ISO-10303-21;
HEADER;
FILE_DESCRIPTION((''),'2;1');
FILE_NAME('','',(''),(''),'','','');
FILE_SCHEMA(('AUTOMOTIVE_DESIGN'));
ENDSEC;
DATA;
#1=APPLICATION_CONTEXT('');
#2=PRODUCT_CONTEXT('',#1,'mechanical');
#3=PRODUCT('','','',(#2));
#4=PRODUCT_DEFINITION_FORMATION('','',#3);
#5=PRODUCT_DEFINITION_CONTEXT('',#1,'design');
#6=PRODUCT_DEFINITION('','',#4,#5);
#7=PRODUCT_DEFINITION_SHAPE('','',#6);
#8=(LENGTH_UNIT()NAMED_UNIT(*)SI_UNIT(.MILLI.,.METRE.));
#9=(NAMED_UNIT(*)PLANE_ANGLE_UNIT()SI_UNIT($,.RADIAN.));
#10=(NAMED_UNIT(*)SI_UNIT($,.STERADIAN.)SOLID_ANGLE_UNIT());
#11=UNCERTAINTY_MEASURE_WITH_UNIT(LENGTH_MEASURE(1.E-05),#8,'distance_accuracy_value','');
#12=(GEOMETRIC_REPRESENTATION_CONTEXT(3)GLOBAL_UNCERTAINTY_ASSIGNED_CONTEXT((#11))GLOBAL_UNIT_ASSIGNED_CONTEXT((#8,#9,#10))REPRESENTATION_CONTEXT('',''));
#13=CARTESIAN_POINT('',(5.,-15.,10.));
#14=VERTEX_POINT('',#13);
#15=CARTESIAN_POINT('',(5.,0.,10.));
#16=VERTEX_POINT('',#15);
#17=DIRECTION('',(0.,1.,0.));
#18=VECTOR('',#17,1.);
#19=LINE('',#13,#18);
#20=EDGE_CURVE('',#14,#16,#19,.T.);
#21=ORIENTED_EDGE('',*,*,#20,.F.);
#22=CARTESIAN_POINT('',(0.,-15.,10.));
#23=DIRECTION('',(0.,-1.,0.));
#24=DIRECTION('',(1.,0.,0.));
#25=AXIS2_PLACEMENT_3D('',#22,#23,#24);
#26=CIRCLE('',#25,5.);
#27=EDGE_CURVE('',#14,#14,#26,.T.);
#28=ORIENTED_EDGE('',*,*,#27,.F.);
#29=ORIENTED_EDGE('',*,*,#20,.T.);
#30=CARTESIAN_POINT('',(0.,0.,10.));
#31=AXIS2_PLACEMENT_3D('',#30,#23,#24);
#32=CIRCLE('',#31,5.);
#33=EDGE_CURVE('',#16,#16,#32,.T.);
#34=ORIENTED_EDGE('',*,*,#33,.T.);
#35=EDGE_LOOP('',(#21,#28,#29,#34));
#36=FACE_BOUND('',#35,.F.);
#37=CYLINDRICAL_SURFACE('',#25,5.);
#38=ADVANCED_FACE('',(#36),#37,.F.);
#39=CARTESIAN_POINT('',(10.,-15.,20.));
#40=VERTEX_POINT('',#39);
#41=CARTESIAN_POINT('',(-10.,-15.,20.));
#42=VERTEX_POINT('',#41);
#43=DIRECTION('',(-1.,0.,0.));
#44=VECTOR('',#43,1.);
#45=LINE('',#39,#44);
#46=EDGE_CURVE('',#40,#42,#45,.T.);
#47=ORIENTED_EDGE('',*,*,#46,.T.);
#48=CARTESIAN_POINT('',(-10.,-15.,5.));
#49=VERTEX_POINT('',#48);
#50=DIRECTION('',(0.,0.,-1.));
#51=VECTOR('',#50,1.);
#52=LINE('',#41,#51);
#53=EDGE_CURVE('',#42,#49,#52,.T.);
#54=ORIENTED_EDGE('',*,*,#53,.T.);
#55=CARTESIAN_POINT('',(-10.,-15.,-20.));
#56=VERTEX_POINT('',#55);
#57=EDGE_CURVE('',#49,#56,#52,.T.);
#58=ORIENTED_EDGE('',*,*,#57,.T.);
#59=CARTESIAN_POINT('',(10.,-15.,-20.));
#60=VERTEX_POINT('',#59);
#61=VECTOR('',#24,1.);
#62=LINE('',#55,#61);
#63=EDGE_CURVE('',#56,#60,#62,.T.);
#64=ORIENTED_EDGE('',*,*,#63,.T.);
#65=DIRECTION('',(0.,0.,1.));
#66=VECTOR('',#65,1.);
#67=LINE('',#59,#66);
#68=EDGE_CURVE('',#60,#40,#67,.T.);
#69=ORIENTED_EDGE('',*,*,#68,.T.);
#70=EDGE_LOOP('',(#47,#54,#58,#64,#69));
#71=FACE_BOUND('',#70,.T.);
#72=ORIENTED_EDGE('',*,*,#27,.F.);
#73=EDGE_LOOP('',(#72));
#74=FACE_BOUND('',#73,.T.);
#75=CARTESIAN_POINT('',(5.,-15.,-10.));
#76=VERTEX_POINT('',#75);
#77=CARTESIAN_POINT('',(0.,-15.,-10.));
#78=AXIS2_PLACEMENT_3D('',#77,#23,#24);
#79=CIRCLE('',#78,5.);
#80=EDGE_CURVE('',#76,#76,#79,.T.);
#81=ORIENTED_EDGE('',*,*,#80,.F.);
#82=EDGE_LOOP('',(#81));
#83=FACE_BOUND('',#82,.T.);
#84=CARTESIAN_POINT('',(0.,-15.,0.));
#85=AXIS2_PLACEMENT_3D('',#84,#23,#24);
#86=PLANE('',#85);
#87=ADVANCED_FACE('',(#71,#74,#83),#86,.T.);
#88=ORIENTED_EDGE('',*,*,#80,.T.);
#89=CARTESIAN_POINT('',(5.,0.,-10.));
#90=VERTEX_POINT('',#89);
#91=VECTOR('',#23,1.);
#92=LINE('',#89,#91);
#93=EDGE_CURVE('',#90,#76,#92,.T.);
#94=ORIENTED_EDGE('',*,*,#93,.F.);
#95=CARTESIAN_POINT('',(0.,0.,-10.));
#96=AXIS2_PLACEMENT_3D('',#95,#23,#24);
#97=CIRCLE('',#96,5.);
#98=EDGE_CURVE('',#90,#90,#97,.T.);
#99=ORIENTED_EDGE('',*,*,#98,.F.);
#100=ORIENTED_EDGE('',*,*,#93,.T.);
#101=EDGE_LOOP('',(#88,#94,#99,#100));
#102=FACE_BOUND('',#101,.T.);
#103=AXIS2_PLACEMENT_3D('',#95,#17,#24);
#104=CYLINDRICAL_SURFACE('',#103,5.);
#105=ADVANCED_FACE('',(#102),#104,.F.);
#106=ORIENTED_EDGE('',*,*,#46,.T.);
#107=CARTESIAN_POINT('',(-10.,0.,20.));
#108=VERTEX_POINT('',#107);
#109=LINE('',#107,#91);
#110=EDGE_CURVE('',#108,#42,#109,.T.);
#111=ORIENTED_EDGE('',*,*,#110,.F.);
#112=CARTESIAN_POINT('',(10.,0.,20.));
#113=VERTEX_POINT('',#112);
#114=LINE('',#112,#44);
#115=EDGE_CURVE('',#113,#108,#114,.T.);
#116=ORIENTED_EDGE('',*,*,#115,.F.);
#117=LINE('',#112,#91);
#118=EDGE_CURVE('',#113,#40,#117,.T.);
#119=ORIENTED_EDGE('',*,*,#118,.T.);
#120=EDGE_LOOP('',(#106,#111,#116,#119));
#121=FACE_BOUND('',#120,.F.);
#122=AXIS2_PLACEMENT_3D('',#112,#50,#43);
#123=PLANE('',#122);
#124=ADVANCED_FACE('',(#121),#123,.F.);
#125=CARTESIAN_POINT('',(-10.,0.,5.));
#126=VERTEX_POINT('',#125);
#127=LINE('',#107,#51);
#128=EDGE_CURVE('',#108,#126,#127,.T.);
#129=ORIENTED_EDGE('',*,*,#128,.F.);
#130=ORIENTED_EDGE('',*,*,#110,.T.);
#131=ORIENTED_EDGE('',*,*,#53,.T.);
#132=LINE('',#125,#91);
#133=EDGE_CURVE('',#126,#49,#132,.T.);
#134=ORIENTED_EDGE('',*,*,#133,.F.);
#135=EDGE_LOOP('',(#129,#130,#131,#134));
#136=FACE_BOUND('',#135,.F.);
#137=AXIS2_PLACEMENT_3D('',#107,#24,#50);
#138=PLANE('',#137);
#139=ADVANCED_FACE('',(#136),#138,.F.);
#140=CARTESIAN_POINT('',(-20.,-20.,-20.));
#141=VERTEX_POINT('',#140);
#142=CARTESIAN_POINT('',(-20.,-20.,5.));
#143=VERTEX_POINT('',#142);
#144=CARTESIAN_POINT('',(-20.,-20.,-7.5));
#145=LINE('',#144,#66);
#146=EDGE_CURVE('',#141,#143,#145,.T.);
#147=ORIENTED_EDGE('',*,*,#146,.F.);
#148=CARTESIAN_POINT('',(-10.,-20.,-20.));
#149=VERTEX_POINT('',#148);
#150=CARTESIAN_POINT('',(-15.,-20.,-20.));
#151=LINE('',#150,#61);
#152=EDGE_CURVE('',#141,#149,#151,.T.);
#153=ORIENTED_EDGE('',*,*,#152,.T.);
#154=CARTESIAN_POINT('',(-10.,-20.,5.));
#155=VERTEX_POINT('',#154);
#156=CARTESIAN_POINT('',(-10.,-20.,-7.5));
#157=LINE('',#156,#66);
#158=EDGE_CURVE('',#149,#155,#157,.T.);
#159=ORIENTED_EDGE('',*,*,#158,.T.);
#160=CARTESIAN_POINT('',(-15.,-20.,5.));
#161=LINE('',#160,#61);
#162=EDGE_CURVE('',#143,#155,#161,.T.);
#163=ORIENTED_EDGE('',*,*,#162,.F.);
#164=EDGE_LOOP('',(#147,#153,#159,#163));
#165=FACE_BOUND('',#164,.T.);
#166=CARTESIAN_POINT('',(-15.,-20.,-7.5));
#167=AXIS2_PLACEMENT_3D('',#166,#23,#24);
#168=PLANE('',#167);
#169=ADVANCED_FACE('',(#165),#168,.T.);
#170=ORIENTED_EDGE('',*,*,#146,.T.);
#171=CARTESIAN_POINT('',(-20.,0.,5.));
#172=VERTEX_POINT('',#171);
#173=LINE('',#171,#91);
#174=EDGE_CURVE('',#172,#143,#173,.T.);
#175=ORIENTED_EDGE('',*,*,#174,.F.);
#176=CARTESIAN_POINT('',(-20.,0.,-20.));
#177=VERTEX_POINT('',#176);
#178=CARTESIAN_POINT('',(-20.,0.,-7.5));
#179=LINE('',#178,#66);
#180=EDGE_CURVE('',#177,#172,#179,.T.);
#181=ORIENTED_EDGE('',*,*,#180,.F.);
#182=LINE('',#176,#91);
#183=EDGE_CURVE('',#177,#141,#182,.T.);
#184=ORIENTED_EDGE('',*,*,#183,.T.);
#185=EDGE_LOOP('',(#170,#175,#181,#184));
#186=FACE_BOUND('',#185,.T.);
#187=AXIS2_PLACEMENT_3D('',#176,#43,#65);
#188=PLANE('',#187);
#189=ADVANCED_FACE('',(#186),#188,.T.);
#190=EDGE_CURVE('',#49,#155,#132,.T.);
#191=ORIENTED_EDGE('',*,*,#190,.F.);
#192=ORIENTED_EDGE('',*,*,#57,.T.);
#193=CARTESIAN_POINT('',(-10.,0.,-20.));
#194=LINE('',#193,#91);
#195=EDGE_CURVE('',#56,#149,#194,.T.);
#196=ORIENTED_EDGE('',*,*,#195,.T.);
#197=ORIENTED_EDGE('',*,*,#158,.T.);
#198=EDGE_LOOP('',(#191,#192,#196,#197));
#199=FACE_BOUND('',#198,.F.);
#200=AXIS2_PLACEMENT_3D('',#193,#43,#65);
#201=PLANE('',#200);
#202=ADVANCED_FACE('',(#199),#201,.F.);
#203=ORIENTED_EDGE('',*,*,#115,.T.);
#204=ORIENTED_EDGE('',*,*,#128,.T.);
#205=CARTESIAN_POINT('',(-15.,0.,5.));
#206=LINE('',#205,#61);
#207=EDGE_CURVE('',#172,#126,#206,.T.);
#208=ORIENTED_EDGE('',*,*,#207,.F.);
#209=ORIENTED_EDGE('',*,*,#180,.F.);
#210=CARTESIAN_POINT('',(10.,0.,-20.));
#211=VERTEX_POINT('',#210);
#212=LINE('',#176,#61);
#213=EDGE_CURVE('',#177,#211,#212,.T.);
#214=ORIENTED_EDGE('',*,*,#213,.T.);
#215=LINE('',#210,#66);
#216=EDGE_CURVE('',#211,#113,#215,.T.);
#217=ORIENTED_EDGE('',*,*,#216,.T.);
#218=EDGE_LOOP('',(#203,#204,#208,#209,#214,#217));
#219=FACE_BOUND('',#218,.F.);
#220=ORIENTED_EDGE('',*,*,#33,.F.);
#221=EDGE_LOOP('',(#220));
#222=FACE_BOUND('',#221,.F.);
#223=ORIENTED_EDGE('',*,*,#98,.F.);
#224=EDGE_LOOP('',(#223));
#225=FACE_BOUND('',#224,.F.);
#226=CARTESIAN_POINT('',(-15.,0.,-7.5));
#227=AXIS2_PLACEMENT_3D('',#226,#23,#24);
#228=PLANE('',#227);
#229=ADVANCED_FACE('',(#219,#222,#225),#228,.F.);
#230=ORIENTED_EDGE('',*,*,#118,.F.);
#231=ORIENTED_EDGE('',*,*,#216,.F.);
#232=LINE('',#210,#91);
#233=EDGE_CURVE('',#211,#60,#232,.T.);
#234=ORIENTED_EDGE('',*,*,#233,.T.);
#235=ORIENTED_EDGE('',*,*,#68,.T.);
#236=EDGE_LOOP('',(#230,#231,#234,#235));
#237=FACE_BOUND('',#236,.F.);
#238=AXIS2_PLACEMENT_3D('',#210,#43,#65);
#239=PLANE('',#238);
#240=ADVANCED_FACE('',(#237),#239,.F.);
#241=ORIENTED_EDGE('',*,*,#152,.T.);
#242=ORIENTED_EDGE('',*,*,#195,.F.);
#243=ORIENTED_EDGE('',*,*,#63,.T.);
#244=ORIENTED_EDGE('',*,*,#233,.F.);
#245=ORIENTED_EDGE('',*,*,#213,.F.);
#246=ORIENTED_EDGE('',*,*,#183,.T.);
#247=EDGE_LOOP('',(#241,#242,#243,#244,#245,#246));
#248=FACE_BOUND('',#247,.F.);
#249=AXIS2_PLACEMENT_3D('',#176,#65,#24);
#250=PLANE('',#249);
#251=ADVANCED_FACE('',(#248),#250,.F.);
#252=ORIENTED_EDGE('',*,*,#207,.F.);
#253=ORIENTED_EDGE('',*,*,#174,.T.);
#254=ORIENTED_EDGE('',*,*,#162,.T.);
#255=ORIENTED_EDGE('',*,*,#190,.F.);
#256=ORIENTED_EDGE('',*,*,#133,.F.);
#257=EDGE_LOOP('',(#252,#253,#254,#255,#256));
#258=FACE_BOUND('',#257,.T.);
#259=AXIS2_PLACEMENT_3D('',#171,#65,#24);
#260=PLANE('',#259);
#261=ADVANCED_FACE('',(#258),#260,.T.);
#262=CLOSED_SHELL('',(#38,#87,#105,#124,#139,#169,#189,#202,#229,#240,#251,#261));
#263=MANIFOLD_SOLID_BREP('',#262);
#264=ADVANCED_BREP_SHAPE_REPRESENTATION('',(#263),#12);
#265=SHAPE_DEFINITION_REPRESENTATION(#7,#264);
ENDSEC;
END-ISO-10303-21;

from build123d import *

# Parameters (mm, degrees)
F0_R     = 5
F1_DEPTH = 15
F0_W     = 10
F0_H     = 25
F2_DEPTH = 20
F3_R     = 5
F4_DEPTH = 15


with BuildPart() as f1:
    # F0 (on Front) → F1 (new body)
    with BuildSketch(Plane.XZ):
        Polygon((10, 20), (-10, 20), (-10, 10.714984), (-10, 5), (-10, -20), (10, -20), align=None)
        with Locations((0, -10)):
            Circle(F0_R, mode=Mode.SUBTRACT)
    extrude(amount=F1_DEPTH)

    # F0 (on Front) → F2 (join)
    with BuildSketch(Plane.XZ):
        with Locations((-15, -7.5)):
            Rectangle(F0_W, F0_H)
    extrude(amount=F2_DEPTH)

    # F3 (on face) → F4 (cut, through all)
    with BuildSketch(Plane.XZ.offset(15)):
        with Locations((0, 10)):
            Circle(F3_R)
    extrude(amount=-F4_DEPTH, mode=Mode.SUBTRACT)


solid = f1.part
